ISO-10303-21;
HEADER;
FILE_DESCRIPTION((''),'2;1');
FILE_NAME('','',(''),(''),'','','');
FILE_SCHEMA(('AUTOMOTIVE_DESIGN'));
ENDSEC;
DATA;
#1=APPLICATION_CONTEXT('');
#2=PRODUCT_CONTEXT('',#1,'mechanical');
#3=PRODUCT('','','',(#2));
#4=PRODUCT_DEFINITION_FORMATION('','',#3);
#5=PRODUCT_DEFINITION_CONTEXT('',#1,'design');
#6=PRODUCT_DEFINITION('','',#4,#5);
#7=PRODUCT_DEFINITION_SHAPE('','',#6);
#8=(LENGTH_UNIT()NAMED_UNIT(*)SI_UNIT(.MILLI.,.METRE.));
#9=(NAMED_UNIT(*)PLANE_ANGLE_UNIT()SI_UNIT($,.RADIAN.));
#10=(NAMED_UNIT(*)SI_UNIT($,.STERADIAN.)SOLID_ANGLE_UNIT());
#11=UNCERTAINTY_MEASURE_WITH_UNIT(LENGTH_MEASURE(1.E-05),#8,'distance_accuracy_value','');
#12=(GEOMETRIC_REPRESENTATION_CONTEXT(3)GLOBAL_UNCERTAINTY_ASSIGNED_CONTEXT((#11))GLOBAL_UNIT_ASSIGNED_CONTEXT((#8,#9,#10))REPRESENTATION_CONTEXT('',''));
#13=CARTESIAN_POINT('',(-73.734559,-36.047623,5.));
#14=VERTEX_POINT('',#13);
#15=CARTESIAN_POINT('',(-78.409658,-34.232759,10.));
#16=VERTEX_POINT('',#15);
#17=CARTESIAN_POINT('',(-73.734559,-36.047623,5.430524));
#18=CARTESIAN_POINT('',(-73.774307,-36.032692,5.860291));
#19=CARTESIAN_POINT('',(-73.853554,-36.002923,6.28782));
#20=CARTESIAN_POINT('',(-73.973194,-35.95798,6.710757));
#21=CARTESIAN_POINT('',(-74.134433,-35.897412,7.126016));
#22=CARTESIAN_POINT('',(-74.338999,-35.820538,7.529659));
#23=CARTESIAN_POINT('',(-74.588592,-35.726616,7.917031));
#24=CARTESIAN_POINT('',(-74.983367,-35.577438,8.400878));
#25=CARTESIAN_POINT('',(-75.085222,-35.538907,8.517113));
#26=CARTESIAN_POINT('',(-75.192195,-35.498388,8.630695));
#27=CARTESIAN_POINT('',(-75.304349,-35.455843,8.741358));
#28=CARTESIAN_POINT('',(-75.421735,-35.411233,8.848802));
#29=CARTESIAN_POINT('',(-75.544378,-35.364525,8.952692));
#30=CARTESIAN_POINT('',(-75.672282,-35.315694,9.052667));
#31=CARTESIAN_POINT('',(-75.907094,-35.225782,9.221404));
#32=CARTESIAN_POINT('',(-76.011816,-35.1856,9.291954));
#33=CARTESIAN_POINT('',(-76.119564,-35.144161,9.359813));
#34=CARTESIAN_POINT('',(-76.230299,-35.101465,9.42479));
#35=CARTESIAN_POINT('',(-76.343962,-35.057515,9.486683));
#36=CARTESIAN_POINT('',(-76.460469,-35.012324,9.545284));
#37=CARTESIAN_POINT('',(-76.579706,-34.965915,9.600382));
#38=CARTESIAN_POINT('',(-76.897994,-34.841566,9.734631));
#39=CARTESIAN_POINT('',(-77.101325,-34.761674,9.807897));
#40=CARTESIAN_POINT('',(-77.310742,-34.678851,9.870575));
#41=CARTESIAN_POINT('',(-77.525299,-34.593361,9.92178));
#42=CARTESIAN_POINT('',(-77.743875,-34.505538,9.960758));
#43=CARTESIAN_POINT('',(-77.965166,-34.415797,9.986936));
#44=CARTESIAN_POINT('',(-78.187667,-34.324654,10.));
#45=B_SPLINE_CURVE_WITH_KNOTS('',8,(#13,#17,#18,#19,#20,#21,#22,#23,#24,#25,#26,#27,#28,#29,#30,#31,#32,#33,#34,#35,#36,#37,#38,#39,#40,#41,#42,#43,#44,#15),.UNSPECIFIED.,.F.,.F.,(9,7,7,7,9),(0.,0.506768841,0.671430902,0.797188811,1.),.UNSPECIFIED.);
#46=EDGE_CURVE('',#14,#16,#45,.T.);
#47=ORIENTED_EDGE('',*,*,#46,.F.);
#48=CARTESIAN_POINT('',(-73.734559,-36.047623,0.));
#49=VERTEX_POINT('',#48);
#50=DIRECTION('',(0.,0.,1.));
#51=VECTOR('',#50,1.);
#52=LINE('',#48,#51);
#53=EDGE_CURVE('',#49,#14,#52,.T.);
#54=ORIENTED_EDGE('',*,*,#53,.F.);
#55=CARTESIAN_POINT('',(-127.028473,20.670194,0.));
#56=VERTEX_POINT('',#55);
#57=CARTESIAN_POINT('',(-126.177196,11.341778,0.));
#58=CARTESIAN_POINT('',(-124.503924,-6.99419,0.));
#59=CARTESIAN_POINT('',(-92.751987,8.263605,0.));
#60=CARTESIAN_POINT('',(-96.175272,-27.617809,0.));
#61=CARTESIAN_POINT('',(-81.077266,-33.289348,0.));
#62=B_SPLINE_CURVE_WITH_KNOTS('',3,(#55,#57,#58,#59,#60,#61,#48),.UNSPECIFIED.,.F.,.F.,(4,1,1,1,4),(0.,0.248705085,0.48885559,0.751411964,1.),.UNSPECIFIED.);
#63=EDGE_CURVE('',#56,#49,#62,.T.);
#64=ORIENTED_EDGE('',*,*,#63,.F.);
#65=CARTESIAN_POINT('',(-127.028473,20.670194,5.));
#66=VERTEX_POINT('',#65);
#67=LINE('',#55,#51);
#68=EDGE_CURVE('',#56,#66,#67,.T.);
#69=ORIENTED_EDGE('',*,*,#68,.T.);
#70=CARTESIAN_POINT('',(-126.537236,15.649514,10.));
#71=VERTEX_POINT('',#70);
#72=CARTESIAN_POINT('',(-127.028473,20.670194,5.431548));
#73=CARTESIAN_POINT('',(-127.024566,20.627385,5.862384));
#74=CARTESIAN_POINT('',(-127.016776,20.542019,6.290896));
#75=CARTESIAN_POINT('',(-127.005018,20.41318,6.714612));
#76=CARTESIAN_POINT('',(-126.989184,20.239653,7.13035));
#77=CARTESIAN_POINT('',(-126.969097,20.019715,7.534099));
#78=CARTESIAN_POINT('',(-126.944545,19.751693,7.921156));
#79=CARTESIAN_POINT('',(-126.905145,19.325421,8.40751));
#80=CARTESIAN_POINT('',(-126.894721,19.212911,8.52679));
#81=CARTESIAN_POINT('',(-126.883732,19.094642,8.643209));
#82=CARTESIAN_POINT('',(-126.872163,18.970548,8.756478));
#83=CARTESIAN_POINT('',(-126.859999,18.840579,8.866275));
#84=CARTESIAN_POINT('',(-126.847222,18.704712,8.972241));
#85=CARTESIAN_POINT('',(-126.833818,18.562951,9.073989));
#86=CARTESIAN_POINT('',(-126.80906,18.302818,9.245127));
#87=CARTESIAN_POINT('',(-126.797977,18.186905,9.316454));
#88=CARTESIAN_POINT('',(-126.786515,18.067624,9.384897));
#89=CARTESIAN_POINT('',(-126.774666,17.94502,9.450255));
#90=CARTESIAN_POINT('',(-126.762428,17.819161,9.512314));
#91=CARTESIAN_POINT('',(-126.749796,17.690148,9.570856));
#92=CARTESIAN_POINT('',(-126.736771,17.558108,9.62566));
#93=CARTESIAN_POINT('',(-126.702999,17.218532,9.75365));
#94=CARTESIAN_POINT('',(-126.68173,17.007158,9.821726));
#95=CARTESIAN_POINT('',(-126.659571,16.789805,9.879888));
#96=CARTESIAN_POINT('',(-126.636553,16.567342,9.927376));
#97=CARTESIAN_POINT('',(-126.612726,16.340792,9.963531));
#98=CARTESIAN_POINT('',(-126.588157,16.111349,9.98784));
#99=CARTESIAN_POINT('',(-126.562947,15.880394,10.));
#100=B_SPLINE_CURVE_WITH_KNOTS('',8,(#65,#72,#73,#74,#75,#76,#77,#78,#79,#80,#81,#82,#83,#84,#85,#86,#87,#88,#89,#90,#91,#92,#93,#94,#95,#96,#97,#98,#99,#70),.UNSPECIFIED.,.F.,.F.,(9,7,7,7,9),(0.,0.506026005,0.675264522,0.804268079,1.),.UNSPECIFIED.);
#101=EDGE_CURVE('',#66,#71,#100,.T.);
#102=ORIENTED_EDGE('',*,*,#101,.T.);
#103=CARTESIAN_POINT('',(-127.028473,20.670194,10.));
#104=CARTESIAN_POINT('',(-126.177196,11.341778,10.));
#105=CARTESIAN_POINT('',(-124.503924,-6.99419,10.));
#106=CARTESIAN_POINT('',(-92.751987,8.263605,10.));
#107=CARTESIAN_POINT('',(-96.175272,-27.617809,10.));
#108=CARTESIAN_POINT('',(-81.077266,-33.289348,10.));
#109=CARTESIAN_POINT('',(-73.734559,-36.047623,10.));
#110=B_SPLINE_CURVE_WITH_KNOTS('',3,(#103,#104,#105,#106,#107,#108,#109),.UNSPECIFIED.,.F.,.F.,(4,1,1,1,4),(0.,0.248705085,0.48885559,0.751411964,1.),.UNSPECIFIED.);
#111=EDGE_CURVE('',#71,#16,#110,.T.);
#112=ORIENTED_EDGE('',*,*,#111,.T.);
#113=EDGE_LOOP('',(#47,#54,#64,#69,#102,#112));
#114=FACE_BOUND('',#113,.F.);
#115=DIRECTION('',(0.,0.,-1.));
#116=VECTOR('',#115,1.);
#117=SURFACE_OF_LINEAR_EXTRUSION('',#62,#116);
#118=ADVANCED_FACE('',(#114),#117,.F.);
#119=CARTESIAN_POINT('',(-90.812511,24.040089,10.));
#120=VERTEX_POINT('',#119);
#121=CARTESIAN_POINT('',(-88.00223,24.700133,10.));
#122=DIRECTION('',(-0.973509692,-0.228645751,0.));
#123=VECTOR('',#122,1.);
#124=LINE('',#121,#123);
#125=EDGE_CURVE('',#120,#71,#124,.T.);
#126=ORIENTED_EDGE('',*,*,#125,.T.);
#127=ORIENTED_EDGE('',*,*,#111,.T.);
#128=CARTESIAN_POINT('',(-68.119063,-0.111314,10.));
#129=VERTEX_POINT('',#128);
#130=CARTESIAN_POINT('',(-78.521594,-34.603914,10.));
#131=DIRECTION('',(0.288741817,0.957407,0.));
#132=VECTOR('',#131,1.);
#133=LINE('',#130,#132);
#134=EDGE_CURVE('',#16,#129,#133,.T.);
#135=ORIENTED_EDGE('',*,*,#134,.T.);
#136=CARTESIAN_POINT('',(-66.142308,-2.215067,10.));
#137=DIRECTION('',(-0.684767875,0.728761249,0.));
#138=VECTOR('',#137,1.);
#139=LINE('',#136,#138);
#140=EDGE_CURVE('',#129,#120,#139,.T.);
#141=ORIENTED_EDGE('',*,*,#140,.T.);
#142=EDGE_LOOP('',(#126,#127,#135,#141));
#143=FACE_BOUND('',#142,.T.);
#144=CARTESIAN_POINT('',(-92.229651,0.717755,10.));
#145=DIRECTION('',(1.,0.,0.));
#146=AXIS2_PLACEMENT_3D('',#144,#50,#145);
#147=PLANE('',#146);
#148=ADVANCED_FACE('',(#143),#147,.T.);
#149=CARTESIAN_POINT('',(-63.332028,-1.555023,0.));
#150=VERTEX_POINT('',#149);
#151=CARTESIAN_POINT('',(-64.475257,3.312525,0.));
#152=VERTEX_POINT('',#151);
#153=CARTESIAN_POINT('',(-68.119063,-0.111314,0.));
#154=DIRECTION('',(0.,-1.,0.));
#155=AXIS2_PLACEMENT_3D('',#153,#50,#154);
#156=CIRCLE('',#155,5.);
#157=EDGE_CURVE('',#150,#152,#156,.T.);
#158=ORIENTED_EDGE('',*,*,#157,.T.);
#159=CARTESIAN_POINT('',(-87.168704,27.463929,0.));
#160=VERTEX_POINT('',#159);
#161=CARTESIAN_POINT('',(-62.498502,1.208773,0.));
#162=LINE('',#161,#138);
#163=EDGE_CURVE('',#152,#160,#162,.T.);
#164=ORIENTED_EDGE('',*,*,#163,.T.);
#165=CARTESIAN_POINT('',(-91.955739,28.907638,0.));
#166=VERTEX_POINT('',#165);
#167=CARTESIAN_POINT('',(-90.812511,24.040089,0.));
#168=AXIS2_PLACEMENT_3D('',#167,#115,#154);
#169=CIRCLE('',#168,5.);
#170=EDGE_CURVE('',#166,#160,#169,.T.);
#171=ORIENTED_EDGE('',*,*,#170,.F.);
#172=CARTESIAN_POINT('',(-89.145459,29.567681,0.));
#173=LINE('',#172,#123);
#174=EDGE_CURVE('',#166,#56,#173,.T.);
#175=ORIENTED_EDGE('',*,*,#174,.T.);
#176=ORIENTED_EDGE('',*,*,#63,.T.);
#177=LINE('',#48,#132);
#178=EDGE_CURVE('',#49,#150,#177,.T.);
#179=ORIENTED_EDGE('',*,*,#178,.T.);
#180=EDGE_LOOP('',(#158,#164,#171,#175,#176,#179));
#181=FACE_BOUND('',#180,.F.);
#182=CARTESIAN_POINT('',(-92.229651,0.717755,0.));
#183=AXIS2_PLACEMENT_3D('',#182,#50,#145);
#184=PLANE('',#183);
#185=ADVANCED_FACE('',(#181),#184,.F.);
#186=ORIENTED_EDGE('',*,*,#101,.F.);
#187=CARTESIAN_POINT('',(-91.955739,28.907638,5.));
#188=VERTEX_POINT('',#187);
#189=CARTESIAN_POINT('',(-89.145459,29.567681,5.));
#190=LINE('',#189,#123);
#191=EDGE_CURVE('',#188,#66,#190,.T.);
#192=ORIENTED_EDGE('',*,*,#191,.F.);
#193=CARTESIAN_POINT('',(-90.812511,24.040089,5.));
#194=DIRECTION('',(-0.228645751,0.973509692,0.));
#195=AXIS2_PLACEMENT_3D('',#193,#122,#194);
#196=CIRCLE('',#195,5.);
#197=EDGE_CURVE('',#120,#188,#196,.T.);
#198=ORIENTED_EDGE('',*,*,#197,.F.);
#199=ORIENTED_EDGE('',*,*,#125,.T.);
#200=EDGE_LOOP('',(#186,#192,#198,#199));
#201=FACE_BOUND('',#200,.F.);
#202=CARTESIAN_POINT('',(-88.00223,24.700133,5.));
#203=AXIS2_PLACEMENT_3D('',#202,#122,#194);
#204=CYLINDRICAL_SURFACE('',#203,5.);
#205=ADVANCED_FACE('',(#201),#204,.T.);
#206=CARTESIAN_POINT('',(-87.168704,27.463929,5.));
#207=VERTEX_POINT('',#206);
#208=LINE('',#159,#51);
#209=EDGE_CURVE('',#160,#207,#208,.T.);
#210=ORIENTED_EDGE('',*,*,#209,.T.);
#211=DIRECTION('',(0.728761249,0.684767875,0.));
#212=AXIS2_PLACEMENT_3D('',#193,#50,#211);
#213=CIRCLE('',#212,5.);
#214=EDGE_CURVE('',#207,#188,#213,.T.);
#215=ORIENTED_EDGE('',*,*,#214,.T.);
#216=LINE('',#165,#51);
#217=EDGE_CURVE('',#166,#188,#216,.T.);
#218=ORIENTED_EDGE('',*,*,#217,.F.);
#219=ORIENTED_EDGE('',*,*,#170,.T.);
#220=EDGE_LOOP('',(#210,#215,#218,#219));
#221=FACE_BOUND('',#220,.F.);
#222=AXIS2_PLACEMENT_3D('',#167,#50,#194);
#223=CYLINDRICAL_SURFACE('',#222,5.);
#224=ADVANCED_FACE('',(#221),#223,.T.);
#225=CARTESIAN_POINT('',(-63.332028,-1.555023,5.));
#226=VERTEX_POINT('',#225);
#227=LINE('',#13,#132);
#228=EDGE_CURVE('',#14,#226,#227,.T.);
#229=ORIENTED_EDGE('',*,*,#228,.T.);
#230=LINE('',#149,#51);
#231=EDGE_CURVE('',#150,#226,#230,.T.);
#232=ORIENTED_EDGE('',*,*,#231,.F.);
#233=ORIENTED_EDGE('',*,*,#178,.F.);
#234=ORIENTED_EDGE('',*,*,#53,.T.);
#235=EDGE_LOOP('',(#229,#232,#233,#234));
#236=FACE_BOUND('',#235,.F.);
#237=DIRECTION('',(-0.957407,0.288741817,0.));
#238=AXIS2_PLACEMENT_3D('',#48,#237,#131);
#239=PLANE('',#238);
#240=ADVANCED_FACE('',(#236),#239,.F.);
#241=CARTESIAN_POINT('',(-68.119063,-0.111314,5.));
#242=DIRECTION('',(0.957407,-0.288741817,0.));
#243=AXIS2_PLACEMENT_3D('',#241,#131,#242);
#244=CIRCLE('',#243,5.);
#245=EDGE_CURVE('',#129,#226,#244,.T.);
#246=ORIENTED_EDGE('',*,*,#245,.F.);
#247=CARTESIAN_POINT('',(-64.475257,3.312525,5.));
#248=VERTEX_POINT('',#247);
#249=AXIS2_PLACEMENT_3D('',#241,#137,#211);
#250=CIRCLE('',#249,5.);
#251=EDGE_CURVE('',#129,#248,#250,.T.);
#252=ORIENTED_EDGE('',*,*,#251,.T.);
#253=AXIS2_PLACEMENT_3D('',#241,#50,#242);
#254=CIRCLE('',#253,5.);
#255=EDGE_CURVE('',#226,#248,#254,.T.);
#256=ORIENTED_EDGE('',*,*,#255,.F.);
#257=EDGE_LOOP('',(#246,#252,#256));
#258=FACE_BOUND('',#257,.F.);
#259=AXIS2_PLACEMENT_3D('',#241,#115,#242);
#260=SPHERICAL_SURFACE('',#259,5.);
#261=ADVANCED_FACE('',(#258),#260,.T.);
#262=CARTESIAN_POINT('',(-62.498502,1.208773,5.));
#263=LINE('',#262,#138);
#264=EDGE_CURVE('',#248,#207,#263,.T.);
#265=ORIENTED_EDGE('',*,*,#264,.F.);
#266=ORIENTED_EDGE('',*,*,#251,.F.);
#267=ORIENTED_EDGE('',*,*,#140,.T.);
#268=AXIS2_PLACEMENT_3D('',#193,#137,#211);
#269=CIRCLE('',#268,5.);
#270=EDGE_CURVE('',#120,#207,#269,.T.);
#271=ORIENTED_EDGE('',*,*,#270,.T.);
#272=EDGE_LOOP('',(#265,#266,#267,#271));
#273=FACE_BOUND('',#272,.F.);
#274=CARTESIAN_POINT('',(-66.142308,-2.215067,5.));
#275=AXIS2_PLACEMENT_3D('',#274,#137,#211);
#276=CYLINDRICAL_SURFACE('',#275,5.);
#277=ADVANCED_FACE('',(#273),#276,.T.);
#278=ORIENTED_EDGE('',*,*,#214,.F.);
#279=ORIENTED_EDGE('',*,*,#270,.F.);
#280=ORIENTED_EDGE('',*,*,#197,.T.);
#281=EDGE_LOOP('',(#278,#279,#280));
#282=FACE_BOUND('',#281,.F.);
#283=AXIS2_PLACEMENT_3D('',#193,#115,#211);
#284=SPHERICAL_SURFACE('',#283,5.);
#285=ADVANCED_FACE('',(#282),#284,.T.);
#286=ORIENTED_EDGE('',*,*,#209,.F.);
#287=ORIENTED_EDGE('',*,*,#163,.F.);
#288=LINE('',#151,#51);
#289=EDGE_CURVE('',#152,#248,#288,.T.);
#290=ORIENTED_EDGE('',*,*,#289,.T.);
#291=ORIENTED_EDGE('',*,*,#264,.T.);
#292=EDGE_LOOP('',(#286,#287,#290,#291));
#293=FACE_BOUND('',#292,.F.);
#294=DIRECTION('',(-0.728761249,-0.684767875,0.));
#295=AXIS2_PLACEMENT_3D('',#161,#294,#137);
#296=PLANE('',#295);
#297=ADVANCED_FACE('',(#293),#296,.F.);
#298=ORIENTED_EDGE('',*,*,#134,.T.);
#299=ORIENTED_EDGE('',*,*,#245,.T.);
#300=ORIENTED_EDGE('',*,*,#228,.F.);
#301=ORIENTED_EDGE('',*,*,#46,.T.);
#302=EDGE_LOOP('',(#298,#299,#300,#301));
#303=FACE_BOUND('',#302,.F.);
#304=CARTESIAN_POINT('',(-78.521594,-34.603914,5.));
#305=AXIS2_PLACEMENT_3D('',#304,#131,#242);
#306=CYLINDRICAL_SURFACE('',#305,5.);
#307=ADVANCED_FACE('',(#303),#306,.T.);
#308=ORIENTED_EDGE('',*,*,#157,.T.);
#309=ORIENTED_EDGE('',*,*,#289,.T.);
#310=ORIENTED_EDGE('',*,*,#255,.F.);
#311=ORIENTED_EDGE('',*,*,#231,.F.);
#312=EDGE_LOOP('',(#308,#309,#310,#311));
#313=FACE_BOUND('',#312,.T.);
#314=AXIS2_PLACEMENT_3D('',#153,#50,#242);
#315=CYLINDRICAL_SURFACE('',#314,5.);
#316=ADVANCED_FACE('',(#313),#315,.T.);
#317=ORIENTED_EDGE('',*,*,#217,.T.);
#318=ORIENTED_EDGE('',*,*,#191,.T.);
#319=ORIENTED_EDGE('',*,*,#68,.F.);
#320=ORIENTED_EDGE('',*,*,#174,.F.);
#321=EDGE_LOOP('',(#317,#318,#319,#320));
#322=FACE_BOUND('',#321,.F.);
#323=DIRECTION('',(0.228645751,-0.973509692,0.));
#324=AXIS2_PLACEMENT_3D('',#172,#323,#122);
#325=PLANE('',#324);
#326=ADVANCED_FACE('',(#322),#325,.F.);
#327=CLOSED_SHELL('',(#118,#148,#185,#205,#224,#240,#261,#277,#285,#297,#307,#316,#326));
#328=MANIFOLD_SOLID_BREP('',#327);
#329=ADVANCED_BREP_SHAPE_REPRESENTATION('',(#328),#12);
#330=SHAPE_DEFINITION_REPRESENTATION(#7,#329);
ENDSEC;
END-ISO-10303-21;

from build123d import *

# Parameters (mm, degrees)
F1_DEPTH = 10
F2_R     = 5


with BuildPart() as f1:
    # F0 (on Top) → F1 (new body)
    with BuildSketch(Plane.XY):
        with BuildLine():
            Line((-89.1454590492, 29.5676813811), (-127.0284729071, 20.6701940507))
            add(Edge.make_bspline(
                [(-127.0284729071, 20.6701940507), (-126.1771964504, 11.341777819), (-124.5039244495, -6.994189975), (-92.7519872862, 8.2636051601), (-96.1752718796, -27.6178091211), (-81.0772659553, -33.2893484208), (-73.7345589332, -36.0476233646)],
                knots=[0, 0, 0, 0, 0.2487050848, 0.4888555905, 0.7514119637, 1, 1, 1, 1], degree=3))
            Line((-73.7345589332, -36.0476233646), (-62.4985020623, 1.2087726734))
            Line((-62.4985020623, 1.2087726734), (-89.1454590492, 29.5676813811))
        make_face()
    extrude(amount=F1_DEPTH)

    # F2
    f2_edges = [f1.edges().sort_by_distance(p)[0] for p in [
        (-68.11653, -17.419425, 10),
        (-75.821981, 15.388227, 10),
        (-108.086966, 25.118938, 10),
        (-62.498502, 1.208773, 5),
        (-89.145459, 29.567681, 5),
    ]]
    fillet(f2_edges, radius=F2_R)


solid = f1.part
